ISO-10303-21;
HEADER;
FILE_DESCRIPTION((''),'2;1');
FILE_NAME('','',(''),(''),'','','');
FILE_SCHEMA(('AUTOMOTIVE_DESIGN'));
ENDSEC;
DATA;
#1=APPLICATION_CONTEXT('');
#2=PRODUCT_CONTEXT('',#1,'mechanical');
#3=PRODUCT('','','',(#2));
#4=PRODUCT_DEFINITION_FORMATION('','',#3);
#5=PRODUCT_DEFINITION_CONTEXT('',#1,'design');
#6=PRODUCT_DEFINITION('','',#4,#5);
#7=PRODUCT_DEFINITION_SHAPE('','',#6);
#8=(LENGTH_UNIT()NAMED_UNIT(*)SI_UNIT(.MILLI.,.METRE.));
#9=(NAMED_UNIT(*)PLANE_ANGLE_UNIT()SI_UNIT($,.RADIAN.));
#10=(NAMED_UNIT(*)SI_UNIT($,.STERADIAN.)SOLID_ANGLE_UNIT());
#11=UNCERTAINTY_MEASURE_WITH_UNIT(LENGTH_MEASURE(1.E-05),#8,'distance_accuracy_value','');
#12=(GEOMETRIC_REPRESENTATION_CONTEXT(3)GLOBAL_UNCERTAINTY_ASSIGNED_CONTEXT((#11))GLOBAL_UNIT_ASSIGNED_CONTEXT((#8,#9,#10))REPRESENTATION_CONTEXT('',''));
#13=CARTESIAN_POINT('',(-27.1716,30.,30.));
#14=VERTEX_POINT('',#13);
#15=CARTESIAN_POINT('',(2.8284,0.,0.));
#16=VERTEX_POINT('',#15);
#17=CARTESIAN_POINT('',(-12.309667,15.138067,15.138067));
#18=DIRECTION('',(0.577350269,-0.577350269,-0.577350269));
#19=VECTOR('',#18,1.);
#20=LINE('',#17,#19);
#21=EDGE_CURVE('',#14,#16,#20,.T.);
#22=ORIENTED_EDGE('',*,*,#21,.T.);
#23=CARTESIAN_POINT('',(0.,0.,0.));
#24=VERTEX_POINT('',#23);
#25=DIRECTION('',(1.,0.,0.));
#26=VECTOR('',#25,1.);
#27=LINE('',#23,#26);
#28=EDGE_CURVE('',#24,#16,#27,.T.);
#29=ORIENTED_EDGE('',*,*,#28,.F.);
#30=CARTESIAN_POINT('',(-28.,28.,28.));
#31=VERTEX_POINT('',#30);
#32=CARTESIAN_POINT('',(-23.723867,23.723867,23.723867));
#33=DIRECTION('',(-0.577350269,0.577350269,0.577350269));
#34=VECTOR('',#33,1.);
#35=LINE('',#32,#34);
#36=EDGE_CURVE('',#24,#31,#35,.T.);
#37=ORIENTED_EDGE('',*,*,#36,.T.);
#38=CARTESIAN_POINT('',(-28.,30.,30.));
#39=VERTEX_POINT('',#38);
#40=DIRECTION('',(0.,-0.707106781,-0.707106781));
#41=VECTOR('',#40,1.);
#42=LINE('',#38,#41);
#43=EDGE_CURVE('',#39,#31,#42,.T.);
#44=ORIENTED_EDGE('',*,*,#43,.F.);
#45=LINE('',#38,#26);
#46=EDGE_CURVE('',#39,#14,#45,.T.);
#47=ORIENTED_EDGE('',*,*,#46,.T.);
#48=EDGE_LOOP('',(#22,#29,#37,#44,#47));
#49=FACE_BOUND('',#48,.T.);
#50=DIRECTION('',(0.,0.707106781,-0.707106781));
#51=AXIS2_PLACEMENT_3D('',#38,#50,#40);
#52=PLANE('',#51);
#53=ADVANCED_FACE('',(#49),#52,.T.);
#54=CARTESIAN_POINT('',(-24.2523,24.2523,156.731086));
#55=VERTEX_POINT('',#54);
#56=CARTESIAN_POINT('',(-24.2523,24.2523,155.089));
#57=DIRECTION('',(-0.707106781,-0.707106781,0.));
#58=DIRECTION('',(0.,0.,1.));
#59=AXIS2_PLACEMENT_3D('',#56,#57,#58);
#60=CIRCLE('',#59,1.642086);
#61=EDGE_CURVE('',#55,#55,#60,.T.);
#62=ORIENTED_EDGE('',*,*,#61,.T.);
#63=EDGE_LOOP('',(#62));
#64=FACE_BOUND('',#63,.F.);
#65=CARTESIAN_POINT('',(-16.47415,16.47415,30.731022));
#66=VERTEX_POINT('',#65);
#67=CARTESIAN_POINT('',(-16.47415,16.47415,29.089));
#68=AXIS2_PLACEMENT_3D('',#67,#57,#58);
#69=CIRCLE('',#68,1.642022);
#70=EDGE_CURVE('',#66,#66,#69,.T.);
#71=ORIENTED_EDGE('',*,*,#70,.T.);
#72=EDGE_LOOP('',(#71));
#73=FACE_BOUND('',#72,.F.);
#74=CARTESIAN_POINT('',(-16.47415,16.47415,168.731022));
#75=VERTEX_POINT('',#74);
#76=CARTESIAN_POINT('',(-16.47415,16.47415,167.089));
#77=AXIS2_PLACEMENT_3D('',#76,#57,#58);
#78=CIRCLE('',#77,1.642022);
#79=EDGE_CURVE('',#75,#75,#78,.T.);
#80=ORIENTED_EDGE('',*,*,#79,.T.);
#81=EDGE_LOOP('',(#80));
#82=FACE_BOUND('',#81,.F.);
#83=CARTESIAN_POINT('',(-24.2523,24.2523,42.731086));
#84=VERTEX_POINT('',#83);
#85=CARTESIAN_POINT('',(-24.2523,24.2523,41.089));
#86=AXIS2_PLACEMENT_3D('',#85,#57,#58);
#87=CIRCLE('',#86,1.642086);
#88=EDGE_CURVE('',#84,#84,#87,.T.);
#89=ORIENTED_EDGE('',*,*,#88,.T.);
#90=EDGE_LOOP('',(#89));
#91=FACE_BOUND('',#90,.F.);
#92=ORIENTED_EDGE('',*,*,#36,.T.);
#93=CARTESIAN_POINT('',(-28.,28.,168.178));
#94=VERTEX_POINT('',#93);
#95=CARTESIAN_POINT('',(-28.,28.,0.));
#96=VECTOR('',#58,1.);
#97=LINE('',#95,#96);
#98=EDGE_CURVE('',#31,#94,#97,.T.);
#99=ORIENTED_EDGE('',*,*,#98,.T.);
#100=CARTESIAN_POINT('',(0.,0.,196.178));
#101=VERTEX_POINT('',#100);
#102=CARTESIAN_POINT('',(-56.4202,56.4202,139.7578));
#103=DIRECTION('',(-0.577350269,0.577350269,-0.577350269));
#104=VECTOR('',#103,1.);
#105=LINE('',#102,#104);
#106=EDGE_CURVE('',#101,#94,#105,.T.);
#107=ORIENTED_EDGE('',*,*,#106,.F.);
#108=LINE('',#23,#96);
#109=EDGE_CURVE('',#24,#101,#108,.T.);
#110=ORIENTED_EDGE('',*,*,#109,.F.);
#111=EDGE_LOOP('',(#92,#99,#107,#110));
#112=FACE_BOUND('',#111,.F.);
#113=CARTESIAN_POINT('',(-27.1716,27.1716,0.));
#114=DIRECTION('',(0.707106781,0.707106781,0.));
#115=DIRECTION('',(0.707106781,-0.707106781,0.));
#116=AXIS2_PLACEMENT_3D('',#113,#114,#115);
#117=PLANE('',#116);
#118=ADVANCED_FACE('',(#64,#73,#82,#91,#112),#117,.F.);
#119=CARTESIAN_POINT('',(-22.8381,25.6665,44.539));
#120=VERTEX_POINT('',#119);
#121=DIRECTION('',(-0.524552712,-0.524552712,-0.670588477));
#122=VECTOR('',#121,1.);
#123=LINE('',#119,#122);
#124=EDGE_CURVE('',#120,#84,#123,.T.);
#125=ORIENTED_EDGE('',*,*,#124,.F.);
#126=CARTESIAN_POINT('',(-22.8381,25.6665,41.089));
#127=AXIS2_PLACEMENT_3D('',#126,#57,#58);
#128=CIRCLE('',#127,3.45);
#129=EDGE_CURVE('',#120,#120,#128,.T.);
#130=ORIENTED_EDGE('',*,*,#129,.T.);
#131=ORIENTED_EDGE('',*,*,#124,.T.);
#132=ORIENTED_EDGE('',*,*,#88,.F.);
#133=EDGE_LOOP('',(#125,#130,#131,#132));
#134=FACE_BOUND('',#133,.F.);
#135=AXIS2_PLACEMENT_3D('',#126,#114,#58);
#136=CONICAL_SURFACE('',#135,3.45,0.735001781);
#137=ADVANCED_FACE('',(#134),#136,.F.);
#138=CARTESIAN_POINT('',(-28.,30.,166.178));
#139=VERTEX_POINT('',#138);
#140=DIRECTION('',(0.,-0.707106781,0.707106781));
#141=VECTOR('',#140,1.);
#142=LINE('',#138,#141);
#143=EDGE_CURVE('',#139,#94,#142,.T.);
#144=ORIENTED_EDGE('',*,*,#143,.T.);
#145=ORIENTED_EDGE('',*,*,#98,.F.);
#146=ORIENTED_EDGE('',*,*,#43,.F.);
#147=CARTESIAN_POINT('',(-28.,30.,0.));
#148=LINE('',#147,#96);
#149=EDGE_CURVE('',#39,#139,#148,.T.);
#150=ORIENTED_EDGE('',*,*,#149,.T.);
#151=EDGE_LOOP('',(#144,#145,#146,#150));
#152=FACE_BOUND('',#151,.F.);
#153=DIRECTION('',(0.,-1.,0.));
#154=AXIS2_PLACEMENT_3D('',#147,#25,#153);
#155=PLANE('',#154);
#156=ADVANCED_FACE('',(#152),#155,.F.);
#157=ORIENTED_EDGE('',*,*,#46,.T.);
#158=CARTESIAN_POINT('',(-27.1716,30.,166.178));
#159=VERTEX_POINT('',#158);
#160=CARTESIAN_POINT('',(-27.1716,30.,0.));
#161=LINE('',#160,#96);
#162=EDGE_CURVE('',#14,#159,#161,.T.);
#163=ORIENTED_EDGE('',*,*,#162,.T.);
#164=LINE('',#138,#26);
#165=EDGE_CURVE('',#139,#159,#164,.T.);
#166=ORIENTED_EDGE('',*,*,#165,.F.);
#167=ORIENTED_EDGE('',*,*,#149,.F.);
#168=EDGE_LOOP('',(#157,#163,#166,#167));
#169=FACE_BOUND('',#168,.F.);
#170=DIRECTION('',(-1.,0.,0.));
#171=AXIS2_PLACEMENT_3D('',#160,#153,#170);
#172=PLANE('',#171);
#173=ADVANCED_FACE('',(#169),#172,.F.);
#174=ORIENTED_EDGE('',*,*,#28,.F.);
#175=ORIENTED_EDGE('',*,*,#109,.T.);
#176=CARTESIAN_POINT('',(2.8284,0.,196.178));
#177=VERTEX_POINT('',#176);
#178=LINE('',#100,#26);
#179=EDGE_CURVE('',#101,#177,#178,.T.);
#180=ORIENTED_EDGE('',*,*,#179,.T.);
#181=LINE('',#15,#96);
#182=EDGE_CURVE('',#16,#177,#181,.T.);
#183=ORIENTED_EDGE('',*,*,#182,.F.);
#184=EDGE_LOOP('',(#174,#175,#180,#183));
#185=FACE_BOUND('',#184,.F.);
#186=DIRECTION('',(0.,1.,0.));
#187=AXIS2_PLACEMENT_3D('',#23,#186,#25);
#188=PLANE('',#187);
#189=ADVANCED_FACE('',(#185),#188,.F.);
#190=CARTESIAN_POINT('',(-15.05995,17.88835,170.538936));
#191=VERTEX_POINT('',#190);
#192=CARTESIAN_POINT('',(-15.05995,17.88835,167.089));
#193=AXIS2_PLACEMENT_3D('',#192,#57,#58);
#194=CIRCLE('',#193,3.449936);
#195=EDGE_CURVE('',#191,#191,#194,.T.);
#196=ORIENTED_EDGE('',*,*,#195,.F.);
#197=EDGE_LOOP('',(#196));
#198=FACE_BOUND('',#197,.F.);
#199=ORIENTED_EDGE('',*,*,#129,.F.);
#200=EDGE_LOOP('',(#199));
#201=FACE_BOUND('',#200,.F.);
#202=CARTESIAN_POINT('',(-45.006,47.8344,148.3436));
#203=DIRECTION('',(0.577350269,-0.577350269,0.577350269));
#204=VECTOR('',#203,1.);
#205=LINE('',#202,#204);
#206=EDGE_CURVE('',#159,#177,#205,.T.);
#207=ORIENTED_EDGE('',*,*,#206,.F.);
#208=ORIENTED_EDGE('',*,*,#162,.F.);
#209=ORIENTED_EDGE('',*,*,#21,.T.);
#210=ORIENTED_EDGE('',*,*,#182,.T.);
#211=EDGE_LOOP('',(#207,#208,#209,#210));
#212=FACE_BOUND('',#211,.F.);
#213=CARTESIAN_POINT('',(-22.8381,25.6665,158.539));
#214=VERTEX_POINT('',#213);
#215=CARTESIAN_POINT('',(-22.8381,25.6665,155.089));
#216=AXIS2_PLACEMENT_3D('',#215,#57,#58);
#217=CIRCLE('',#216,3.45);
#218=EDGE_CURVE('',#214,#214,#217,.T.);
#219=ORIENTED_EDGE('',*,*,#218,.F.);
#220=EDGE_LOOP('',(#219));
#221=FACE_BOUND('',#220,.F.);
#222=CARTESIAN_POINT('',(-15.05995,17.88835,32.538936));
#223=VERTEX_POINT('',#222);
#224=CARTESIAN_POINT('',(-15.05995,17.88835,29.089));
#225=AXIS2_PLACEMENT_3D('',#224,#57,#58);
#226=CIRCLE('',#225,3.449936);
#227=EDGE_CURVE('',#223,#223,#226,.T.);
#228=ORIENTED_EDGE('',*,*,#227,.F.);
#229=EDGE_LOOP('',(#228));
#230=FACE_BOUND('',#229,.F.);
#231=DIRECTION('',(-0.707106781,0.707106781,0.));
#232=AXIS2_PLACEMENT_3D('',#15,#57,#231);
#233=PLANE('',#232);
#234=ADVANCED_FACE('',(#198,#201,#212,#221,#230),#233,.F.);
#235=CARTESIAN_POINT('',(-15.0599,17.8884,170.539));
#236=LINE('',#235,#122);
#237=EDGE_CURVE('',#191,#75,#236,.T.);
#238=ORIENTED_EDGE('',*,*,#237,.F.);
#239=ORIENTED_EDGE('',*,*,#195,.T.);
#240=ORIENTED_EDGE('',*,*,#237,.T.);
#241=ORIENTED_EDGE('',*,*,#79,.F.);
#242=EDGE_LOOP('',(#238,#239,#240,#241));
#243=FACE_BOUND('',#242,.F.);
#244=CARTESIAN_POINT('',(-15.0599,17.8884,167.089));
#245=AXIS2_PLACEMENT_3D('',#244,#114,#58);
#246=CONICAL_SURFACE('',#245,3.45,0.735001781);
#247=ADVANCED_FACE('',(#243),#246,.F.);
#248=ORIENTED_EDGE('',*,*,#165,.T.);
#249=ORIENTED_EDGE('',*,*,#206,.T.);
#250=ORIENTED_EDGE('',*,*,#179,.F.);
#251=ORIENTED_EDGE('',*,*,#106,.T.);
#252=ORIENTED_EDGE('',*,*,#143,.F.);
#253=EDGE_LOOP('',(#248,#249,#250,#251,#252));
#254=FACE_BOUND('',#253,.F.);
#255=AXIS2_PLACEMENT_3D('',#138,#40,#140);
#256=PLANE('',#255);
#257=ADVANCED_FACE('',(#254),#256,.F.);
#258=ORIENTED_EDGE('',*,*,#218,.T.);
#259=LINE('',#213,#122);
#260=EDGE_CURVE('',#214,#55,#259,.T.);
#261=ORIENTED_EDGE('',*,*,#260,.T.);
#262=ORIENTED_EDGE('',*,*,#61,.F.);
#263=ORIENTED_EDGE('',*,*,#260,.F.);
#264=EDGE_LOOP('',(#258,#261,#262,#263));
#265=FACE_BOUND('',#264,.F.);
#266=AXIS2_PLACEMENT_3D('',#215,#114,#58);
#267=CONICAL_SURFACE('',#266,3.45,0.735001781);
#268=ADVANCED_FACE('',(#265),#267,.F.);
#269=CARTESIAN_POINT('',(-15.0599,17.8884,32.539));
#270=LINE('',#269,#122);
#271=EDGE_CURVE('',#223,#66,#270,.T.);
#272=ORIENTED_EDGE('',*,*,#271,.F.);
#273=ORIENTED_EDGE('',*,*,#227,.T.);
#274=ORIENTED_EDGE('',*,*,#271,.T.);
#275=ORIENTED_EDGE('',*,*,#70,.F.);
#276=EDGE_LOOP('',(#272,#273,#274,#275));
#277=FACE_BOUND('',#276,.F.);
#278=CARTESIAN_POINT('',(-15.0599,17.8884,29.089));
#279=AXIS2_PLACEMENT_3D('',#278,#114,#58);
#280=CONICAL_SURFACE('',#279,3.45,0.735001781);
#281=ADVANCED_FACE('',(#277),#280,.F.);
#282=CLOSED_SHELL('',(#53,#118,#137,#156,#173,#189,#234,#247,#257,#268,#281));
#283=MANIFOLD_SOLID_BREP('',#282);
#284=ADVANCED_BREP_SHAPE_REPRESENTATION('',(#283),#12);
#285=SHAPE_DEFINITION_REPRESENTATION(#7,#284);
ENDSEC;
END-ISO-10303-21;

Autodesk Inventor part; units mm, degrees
ref_plane "YZ Plane" through (0, 0, 0) normal (1, 0, 0) x (0, 1, 0)
ref_plane "XZ Plane" through (0, 0, 0) normal (0, 1, 0) x (-1, 0, 0)
ref_plane "XY Plane" through (0, 0, 0) normal (0, 0, 1) x (1, 0, 0)
sketch "Szkic1" plane through (0, 0, 0) normal (0, 0, 1) x (1, 0, 0)
  line L0 (0, 0) -> (2.8284, 0)
  line L1 (2.8284, 0) -> (-27.1716, 30)
  line L2 (-27.1716, 30) -> (-27.1716, 27.1716)
  line L3 (-27.1716, 27.1716) -> (0, 0)
  line L4 (-27.1716, 30) -> (-28, 30)
  line L5 (-28, 30) -> (-28, 28)
  line L6 (-28, 28) -> (-27.1716, 28)
  line L7 (-27.1716, 28) -> (-27.1716, 30)
  line L8 (-28, 28) -> (-27.1716, 27.1716)
  dimension "d1" = 30
  dimension "d3" = 45
  dimension "d20" = 2
  dimension "d21" = 2
extrude "Wyciągnięcie proste1" add sketch "Szkic1" along normal blind 196.178
sketch "Szkic4" plane through (-28, 28, 0) normal (-1, 0, 0) x (0, 0, 1)
  line L0 (0, 0) -> (0, -28) projected
  line L1 (0, 2) -> (196.178, 2) projected
  line L2 (0, -28) -> (0, 2)
  line L3 (0, 2) -> (30, 2)
  line L4 (30, 2) -> (0, -28)
  line L5 (98.089, 2) -> (98.089, -28) construction
  line L6 (196.178, 0) -> (196.178, -28)
  line L7 (196.178, -28) -> (196.178, 2)
  line L8 (196.178, 2) -> (166.178, 2)
  line L9 (166.178, 2) -> (196.178, -28)
  dimension "d22" = 45
extrude "Wyciągnięcie proste3" cut sketch "Szkic4" against normal through all
sketch "Szkic5" plane through (2.8284, 0, 0) normal (0.7071, 0.7071, 0) x (-0.7071, 0.7071, 0)
  line L0 (41.598, 28) -> (41.598, 168.178) construction
  line L1 (41.598, 98.089) -> (0, 98.089) construction
  line L2 (0, 0) -> (0, 196.178) construction
  point P0 (2, 0)
  point P1 (36.298, 155.089)
  point P2 (36.298, 41.089)
  point P3 (25.298, 167.089)
  point P4 (25.298, 29.089)
  dimension "d25" = 57
  dimension "d26" = 5.3
  dimension "d34" = 69
  dimension "d35" = 16.3
hole "Otwór2" at (-22.8381, 25.6665, 155.089) at (-22.8381, 25.6665, 41.089) at (-15.0599, 17.8884, 167.089) at (-15.0599, 17.8884, 29.089) direction (-0.7071, -0.7071, 0) diameter 3.2 end through all countersink diameter 6.9 countersink angle 84.225 clearance for "Śruba ze łbem stożkowym ISO 2009/7046" size "M3" standard "ISO"
properties part number "Tyl2"
